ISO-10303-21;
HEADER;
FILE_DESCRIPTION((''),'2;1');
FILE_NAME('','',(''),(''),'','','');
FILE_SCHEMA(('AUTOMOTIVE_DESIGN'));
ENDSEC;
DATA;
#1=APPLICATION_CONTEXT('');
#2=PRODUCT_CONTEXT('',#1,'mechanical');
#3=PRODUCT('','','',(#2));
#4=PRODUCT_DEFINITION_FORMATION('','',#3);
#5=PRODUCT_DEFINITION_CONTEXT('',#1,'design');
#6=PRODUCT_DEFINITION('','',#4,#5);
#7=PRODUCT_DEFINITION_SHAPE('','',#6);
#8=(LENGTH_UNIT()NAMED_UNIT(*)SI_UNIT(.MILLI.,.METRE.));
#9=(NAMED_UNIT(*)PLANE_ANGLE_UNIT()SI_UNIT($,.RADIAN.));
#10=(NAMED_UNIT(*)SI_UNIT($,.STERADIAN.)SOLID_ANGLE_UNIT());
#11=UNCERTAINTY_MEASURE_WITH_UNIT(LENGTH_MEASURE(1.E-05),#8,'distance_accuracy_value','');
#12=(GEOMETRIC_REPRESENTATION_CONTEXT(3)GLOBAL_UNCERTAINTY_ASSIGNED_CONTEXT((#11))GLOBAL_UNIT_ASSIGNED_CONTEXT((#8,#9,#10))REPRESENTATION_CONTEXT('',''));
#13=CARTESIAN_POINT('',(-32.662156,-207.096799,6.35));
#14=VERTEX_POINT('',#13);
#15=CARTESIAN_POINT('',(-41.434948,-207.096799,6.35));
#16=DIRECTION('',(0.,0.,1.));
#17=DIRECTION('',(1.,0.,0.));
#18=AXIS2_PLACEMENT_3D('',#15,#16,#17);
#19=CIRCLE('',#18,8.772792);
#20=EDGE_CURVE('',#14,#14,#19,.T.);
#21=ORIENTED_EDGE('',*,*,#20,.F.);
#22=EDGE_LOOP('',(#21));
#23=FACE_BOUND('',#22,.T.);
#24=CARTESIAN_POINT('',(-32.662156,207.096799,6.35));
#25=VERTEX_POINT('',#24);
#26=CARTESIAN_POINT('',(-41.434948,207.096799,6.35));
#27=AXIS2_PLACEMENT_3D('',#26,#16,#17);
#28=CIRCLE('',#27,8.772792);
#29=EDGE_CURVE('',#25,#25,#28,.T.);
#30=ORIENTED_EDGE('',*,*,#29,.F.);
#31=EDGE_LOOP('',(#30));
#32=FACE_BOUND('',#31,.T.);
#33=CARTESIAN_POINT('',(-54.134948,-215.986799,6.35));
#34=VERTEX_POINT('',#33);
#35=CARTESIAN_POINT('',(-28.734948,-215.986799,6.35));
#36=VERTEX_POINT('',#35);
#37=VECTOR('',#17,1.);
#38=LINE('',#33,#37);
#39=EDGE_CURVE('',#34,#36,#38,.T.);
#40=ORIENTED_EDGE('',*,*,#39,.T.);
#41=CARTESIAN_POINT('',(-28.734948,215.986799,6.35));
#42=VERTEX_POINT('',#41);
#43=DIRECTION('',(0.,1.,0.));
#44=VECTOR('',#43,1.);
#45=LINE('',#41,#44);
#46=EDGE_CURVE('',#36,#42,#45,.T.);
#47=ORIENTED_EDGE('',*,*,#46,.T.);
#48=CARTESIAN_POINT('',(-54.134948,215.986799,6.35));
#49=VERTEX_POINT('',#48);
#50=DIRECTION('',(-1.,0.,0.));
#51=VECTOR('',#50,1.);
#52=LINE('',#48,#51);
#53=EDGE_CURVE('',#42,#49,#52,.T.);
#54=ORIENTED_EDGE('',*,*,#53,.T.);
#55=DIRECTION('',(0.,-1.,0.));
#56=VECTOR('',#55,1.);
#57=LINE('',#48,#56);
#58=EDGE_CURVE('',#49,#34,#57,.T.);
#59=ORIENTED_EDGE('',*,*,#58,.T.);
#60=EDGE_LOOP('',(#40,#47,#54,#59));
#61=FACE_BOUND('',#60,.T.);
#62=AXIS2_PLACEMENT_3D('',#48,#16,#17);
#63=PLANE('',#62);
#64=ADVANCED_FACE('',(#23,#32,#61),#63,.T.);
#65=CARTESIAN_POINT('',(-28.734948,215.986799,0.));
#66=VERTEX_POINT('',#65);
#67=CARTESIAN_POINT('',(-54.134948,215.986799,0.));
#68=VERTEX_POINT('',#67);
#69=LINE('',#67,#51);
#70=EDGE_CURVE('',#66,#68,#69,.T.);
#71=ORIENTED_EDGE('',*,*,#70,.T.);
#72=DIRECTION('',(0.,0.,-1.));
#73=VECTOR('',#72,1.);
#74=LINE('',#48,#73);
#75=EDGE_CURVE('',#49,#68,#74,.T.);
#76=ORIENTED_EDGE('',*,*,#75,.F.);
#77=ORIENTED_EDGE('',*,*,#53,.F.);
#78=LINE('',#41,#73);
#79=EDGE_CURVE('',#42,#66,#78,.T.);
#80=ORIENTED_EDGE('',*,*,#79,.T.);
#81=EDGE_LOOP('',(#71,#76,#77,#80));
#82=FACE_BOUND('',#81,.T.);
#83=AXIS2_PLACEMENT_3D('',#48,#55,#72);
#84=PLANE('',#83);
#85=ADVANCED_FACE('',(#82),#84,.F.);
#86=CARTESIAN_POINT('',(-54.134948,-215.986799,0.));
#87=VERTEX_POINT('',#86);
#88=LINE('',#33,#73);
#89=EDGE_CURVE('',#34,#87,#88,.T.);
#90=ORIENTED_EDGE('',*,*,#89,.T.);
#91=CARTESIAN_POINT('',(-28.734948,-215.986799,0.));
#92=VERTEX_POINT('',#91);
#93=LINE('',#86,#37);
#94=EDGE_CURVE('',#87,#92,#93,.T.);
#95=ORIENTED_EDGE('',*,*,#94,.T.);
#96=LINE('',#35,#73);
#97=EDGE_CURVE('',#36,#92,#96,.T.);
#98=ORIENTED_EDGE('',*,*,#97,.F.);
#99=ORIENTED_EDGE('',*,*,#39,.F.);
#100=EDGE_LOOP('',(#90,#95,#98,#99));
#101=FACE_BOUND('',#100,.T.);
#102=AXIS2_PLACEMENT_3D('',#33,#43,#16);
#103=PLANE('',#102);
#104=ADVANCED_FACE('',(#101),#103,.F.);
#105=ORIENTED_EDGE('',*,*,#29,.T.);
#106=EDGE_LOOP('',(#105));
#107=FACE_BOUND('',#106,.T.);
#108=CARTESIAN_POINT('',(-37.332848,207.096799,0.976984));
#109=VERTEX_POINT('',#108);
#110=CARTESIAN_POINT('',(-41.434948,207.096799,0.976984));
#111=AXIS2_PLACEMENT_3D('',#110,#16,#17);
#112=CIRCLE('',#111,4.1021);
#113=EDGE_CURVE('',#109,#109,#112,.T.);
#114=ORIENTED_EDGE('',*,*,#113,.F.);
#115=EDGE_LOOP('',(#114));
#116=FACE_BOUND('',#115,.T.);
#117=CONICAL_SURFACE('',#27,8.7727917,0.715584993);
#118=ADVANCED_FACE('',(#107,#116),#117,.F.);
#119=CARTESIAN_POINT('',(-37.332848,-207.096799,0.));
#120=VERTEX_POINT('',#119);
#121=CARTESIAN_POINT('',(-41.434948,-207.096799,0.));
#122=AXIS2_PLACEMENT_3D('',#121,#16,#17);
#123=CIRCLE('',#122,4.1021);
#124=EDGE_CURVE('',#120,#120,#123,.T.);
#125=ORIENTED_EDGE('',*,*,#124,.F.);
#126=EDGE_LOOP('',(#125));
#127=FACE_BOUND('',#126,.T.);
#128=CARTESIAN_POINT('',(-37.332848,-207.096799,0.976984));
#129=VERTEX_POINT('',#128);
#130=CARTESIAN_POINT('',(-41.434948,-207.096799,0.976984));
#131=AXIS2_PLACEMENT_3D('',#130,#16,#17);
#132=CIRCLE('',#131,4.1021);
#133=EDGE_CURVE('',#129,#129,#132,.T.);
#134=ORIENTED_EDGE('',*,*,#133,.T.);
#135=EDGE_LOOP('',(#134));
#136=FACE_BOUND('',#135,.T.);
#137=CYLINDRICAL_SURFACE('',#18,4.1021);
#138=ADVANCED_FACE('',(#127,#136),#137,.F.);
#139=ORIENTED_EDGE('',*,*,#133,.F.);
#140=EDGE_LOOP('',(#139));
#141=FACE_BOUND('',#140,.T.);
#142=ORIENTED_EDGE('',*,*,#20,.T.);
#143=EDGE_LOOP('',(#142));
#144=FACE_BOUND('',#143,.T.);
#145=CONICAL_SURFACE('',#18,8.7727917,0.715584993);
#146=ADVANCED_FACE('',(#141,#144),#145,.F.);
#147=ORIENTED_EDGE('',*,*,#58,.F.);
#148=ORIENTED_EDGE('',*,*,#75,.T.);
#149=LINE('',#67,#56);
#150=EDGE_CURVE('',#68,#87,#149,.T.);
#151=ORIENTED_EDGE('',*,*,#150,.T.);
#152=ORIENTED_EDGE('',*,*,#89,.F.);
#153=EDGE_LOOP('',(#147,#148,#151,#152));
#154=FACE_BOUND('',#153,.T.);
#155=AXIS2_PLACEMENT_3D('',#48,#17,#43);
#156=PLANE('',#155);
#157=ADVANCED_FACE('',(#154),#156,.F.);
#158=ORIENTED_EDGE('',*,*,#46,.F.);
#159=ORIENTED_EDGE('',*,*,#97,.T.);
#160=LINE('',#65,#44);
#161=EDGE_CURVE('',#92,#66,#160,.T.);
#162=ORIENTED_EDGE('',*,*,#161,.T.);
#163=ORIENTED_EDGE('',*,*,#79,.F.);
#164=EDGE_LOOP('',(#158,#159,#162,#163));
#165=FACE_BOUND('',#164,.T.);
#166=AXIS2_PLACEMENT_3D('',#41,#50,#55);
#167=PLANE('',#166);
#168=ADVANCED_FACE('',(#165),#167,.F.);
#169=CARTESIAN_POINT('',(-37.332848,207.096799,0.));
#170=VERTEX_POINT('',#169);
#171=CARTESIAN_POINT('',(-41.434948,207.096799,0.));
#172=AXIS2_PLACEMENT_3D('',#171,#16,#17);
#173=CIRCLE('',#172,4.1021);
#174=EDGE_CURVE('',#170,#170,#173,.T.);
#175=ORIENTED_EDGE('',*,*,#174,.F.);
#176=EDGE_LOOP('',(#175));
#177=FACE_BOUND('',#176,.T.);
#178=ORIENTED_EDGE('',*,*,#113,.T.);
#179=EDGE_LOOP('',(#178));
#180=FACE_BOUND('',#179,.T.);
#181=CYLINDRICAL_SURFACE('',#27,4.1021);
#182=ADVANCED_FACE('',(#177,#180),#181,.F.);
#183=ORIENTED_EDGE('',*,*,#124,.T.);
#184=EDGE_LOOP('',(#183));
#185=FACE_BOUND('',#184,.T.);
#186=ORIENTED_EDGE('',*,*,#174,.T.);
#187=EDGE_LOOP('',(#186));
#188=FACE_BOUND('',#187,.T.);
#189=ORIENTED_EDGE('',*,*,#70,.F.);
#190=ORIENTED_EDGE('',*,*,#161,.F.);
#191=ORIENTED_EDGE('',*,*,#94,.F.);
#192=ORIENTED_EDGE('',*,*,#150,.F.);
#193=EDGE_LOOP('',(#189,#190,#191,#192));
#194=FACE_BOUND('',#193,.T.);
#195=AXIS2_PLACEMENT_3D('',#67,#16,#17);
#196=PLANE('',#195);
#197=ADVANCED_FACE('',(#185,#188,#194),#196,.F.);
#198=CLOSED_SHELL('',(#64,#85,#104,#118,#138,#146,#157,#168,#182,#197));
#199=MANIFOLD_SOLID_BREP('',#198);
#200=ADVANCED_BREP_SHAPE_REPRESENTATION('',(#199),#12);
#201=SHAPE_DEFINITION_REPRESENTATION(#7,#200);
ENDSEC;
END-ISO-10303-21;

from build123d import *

# Parameters (mm, degrees)
SKETCH1_W                                    = 25.4
SKETCH1_H                                    = 431.973597558
EXTRUDE1_DEPTH                               = 6.35
CSK_FOR_5_16_FLAT_HEAD_SOCKET_CAP_SC_2_COUNT = 2
CSK_FOR_5_16_FLAT_HEAD_SOCKET_CAP_SC_2_PITCH = 414.193597559


with BuildPart() as part:
    # Sketch1 → Extrude1 (new body)
    with BuildSketch(Plane.XY):
        with Locations((-41.434947789, 0)):
            Rectangle(SKETCH1_W, SKETCH1_H)
    extrude(amount=EXTRUDE1_DEPTH)

    # Sketch4 → CSK for 5/16 Flat Head Socket Cap Screw1 (revolve, cut)
    with BuildSketch(Plane(origin=(-41.434947789, 207.096798779, 6.35), x_dir=(0, -1, 0), z_dir=(1, 0, 0))):
        Polygon((0, 0), (0, 6.35), (4.1021, 6.35), (4.1021, 5.373016172), (8.7727917, 0), align=None)
    csk_for_5_16_flat_head_socket_cap_screw1 = revolve(axis=Axis((-41.434947789, 207.096798779, 12.7), (0, 0, -1)), mode=Mode.SUBTRACT)

    # CSK for 5_16 Flat Head Socket Cap Sc 2: CSK for 5/16 Flat Head Socket Cap Screw1 ×2
    with Locations(*[(0, -i * CSK_FOR_5_16_FLAT_HEAD_SOCKET_CAP_SC_2_PITCH, 0) for i in range(1, CSK_FOR_5_16_FLAT_HEAD_SOCKET_CAP_SC_2_COUNT)]):
        add(csk_for_5_16_flat_head_socket_cap_screw1, mode=Mode.SUBTRACT)


solid = part.part
